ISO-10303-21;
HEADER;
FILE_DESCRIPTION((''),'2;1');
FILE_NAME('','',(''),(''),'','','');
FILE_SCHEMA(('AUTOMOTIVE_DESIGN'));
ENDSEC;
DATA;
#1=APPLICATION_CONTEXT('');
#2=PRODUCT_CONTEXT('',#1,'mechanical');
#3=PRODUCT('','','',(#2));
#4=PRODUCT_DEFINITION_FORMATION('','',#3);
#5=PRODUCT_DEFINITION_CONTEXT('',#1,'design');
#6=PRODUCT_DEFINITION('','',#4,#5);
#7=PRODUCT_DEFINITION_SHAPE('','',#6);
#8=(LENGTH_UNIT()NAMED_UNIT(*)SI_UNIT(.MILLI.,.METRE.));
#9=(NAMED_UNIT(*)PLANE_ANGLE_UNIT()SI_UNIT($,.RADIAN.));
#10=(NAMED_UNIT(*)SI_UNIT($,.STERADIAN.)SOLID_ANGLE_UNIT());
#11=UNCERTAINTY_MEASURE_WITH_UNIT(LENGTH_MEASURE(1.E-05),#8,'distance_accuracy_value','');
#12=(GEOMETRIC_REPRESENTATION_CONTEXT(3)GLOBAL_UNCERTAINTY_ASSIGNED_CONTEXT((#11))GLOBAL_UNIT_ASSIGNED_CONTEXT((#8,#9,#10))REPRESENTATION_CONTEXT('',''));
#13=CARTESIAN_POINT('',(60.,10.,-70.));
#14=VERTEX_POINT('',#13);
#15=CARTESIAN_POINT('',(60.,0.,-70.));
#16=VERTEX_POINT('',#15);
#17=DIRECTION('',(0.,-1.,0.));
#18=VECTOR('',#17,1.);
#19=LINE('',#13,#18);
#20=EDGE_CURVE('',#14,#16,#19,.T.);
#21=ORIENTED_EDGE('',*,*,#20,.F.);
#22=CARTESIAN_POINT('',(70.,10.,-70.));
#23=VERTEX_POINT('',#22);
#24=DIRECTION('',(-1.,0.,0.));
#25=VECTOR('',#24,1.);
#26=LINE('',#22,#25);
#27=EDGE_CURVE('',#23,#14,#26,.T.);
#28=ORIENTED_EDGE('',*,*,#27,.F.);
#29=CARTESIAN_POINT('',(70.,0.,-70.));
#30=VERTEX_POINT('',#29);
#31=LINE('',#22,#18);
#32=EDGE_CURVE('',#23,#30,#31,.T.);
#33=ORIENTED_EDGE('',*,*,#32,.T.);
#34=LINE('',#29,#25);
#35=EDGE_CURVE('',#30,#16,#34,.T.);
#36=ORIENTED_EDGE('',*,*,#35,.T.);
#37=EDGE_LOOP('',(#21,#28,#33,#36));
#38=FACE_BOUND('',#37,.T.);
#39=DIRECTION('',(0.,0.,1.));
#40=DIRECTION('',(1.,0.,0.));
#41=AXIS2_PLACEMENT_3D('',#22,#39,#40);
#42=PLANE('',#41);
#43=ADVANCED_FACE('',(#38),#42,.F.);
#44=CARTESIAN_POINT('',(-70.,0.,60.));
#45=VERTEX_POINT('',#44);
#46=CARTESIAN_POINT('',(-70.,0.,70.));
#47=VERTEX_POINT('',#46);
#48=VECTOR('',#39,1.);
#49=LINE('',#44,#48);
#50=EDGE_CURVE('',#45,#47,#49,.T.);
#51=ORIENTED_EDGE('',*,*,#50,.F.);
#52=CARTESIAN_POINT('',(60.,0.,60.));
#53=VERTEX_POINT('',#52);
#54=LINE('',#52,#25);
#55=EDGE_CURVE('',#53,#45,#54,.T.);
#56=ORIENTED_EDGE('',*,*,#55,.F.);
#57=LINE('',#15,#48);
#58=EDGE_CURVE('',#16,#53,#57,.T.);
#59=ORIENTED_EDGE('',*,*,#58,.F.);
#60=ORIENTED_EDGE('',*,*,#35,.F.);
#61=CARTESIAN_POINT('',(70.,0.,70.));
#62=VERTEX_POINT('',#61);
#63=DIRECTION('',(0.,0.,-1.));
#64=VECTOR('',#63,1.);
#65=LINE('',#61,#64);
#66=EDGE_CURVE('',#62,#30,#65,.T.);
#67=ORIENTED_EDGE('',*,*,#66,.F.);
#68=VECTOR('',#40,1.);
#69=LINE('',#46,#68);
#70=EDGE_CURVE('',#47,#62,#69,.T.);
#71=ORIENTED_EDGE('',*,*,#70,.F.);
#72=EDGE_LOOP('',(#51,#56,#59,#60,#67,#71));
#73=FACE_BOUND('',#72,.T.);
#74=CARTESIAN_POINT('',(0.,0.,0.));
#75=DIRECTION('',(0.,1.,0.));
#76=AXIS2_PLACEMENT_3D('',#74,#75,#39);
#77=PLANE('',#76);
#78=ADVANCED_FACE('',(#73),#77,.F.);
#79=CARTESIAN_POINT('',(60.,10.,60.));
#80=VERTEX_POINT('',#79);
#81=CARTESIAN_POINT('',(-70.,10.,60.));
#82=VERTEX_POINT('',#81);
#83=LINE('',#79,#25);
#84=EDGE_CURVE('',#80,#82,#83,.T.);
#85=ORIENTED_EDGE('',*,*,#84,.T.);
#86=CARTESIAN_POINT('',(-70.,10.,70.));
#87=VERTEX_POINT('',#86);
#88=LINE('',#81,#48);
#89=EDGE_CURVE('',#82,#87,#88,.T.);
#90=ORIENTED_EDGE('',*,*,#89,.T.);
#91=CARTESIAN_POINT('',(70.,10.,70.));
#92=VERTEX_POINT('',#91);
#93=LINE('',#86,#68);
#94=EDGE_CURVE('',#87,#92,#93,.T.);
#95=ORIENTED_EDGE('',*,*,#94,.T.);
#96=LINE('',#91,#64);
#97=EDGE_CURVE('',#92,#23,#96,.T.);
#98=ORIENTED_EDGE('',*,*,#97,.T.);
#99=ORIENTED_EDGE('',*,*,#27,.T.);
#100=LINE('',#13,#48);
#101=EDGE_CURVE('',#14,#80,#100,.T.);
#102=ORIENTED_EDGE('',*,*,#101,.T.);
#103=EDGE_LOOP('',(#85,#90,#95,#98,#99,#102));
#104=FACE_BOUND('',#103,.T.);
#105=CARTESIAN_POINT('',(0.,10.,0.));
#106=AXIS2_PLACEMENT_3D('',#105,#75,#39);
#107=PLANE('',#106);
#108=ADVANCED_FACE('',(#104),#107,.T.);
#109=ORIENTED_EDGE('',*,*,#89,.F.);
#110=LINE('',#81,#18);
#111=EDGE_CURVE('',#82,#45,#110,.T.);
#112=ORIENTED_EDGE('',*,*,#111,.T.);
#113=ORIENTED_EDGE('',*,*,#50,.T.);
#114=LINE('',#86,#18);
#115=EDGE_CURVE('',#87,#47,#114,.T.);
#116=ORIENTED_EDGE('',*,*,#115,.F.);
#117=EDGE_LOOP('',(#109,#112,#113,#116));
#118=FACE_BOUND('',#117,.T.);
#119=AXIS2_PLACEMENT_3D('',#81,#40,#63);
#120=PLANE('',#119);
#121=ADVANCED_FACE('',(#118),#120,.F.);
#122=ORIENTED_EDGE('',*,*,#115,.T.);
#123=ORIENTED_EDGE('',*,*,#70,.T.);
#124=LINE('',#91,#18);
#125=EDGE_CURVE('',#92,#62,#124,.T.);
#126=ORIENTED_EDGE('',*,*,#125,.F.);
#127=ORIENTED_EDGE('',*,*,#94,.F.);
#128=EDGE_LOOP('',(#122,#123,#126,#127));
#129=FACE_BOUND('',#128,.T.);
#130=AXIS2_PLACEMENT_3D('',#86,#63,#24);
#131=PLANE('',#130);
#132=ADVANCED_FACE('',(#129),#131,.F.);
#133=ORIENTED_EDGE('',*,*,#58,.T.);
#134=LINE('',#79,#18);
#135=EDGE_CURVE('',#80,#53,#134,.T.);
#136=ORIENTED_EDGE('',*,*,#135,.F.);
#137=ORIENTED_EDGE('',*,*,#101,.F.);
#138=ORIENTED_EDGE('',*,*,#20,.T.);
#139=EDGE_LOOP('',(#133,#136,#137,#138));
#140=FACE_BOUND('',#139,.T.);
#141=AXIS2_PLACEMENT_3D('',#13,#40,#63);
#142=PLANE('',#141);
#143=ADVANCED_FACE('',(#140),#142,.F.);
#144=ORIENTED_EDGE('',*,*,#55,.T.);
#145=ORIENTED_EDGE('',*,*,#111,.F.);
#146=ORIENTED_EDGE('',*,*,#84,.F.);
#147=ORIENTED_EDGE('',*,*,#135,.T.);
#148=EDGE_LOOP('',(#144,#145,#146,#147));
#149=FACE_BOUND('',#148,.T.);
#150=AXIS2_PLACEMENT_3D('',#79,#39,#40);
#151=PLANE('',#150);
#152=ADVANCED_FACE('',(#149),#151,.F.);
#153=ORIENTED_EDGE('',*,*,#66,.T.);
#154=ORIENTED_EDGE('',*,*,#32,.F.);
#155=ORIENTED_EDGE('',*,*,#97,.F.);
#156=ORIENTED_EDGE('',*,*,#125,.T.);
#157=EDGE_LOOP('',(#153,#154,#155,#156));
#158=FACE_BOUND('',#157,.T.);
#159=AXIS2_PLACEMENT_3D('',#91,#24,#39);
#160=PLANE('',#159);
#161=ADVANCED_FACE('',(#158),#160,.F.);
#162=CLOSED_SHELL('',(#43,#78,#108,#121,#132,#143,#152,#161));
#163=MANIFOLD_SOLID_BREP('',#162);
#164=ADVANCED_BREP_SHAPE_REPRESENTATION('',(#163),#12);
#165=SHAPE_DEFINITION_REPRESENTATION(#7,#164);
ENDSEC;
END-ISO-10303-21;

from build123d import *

# Parameters (mm, degrees)
BOSS_EXTRUDE1_DEPTH = 10


with BuildPart() as part:
    # Sketch1 → Boss-Extrude1 (new body)
    with BuildSketch(Plane(origin=(0, 0, 0), x_dir=(1, 0, 0), z_dir=(0, 1, 0))):
        Polygon((-70, -70), (70, -70), (70, 70), (60, 70), (60, -60), (-70, -60), align=None)
    extrude(amount=BOSS_EXTRUDE1_DEPTH)


solid = part.part
